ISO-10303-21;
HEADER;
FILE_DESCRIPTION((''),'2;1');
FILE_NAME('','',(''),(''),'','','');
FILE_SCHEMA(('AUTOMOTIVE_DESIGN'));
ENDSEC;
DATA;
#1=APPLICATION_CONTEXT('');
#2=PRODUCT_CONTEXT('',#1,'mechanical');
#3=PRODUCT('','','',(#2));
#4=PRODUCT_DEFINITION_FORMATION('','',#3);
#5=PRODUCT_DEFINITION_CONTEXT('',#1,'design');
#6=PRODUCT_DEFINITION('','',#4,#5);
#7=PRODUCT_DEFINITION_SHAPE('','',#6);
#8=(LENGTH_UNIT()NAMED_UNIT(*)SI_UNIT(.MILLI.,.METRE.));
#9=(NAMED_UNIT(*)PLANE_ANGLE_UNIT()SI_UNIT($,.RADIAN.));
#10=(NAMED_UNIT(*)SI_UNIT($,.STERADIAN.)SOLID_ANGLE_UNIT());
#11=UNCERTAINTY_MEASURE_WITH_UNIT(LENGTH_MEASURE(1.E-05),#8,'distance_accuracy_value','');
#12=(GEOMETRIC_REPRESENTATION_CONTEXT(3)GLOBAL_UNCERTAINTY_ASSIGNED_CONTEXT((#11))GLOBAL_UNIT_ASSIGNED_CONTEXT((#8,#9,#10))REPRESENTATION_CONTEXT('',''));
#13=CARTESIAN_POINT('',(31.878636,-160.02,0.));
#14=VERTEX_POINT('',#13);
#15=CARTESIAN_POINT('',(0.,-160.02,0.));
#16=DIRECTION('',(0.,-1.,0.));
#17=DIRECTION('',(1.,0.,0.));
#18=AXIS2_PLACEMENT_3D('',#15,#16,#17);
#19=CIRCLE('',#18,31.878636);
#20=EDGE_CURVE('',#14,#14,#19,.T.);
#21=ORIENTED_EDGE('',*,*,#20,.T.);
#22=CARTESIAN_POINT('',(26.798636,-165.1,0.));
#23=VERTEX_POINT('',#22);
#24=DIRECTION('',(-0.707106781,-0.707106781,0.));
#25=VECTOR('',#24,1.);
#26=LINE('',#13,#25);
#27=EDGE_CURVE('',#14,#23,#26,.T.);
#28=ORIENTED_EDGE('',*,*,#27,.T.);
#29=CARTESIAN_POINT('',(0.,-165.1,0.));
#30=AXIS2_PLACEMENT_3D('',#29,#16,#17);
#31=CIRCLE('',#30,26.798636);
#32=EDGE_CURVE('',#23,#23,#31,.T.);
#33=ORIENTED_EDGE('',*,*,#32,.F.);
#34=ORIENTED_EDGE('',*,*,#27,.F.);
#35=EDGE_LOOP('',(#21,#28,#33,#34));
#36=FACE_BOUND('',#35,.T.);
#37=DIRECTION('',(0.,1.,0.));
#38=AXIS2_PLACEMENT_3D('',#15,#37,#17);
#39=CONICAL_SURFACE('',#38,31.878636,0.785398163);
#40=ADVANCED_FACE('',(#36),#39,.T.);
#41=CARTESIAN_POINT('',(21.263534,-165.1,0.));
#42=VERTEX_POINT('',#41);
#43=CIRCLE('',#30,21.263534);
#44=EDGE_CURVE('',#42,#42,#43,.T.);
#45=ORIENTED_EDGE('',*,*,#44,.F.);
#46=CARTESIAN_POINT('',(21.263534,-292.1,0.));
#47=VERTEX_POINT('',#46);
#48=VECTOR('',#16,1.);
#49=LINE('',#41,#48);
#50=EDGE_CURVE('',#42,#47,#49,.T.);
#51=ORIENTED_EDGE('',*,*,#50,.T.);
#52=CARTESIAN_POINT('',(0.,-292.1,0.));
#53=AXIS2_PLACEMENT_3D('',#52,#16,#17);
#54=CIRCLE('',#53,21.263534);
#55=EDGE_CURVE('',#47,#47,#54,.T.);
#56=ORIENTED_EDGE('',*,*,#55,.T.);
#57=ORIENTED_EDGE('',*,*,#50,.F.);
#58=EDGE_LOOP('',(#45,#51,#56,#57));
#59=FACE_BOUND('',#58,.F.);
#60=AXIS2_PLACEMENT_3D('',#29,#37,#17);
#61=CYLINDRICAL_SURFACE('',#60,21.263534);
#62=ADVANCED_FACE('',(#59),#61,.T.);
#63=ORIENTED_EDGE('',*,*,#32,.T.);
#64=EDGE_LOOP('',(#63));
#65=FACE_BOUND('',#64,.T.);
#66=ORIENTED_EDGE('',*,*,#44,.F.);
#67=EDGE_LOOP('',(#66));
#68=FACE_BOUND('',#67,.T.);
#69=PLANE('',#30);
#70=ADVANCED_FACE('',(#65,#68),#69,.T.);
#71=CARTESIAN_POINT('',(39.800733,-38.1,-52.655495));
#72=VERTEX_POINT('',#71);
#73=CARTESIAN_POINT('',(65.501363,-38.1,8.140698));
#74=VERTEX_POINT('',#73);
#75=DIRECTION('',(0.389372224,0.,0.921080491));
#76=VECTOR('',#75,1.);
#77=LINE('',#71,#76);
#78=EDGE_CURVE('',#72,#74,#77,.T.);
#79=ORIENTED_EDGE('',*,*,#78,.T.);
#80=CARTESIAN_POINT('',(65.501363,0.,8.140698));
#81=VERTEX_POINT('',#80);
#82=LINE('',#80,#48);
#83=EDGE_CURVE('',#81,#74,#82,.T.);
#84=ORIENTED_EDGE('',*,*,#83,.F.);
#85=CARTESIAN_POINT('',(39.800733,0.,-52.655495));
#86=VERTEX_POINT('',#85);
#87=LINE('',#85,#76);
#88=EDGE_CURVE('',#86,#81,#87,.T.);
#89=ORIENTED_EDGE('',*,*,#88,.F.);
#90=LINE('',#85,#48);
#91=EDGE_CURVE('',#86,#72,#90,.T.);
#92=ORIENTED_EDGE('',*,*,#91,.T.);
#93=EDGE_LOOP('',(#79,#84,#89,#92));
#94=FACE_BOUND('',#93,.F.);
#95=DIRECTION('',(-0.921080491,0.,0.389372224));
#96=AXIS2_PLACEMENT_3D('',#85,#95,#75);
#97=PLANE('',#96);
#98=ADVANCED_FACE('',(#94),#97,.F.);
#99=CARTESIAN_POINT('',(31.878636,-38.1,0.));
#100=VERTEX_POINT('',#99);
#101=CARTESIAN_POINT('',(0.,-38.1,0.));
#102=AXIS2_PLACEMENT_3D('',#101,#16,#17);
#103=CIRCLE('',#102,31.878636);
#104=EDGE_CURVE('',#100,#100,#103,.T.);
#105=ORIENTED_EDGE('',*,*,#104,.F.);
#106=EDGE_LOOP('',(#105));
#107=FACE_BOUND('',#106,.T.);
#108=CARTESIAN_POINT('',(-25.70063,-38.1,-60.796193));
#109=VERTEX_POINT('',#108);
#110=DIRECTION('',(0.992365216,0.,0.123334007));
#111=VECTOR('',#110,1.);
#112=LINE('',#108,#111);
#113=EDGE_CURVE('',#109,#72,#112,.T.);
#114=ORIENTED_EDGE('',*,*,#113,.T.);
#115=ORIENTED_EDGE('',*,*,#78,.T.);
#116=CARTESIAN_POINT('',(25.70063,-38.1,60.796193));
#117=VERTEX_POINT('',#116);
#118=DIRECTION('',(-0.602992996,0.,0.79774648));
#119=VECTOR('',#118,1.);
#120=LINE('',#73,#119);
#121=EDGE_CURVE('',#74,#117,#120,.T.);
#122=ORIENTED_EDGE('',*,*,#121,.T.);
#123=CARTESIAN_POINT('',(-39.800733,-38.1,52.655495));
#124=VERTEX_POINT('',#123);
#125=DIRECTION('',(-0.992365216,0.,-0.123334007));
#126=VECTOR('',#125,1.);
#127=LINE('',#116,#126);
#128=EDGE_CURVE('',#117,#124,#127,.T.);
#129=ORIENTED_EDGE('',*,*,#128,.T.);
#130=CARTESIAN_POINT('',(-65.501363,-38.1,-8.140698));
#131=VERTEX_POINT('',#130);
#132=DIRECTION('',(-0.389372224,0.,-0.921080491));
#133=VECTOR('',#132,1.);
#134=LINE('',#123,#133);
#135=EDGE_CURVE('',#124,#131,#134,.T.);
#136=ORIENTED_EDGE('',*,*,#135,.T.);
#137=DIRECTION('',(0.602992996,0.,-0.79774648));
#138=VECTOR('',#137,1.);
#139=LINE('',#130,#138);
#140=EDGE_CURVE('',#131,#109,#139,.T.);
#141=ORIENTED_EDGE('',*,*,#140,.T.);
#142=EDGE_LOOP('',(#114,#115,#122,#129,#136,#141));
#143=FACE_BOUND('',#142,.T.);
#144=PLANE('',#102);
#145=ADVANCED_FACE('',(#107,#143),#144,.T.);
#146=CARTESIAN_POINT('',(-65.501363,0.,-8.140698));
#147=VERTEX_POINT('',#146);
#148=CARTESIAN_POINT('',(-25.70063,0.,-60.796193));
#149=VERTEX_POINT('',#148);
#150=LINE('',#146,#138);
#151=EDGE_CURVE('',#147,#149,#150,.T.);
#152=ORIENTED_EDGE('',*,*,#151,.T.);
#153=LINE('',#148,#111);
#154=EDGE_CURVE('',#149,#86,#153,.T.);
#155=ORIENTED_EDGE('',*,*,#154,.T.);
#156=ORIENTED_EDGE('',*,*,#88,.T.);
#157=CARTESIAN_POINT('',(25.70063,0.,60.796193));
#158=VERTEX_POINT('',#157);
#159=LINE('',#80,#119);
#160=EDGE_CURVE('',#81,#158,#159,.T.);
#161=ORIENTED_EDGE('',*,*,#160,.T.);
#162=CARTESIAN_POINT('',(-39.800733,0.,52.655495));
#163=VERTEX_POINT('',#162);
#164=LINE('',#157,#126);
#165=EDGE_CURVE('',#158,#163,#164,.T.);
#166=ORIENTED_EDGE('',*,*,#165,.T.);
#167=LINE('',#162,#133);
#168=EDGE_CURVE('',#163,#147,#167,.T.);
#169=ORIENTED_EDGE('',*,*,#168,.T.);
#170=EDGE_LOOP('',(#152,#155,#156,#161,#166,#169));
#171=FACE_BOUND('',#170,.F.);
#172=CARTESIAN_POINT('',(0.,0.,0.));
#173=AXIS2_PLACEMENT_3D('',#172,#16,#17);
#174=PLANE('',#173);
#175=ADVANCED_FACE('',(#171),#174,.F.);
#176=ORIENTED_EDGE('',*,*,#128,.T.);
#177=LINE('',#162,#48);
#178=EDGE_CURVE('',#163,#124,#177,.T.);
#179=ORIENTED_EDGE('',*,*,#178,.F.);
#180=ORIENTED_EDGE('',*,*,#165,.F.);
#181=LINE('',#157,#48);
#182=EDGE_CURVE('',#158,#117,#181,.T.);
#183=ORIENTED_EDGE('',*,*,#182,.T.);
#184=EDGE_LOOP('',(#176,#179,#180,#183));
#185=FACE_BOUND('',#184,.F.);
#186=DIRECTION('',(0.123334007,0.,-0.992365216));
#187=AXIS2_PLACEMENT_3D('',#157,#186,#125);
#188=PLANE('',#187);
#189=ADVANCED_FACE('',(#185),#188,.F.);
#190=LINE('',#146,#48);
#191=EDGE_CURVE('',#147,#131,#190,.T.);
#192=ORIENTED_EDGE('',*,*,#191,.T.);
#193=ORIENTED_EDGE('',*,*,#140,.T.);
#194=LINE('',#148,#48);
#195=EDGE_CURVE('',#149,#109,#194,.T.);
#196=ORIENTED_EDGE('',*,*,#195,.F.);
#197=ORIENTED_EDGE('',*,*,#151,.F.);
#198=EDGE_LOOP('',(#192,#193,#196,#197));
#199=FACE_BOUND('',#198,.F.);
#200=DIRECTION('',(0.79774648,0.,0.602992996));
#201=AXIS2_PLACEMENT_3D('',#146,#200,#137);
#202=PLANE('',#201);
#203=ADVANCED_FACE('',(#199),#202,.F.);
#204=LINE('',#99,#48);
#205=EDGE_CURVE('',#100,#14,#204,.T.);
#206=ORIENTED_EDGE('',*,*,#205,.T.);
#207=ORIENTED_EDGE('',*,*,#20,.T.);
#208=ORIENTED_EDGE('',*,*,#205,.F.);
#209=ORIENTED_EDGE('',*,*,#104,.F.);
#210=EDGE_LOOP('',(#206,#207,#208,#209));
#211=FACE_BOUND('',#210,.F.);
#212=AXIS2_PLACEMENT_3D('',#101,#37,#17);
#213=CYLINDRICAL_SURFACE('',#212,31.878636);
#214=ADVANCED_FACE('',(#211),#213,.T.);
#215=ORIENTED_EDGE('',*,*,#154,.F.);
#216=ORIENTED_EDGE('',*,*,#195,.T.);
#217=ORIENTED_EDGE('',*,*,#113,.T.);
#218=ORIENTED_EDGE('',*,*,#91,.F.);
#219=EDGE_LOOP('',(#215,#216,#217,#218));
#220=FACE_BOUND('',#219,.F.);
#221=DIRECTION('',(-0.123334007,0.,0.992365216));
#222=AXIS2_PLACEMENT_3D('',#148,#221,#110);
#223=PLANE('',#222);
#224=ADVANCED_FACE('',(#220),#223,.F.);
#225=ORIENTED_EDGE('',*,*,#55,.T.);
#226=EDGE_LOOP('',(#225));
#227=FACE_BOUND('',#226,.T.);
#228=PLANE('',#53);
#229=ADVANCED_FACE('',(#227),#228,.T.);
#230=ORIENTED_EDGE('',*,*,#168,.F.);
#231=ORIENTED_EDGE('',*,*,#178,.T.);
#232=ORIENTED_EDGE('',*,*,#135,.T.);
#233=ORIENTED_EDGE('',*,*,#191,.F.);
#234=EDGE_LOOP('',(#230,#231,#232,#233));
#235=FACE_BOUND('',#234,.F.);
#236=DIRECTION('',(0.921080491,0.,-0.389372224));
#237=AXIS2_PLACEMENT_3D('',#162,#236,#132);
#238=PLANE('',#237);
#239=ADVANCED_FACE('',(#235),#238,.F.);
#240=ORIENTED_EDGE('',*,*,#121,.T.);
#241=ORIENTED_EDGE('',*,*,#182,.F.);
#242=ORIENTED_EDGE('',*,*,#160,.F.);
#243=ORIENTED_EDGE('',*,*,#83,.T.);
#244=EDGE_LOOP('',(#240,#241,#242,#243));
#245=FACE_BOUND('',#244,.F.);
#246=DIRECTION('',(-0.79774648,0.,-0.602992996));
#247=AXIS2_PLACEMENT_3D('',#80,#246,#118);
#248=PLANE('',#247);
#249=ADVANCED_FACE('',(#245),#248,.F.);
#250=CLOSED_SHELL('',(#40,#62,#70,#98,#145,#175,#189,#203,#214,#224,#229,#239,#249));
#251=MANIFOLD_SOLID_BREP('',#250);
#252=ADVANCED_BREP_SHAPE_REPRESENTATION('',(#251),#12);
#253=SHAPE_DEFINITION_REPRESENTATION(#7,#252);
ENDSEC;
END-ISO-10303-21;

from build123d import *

# Parameters (mm, degrees)
F1_DEPTH = 38.1
F2_R     = 31.878636
F3_DEPTH = 127
F4_SIZE  = 5.08
F5_R     = 21.263534
F6_DEPTH = 127


with BuildPart() as f1:
    # F0 (on Front) → F1 (new body)
    with BuildSketch(Plane.XZ):
        Polygon((39.800733, -52.655495), (65.501363, 8.140698), (25.70063, 60.796193), (-39.800733, 52.655495), (-65.501363, -8.140698), (-25.70063, -60.796193), align=None)
    extrude(amount=F1_DEPTH)

    # F2 (on face) → F3 (join)
    with BuildSketch(Plane.XZ.offset(38.1)):
        Circle(F2_R)
    extrude(amount=F3_DEPTH)

    # F4
    f4_edges = [f1.edges().sort_by_distance(p)[0] for p in [
        (-31.878636, -165.1, 0),
    ]]
    chamfer(f4_edges, length=F4_SIZE)

    # F5 (on face) → F6 (join)
    with BuildSketch(Plane.XZ.offset(165.1)):
        Circle(F5_R)
    extrude(amount=F6_DEPTH)


solid = f1.part
